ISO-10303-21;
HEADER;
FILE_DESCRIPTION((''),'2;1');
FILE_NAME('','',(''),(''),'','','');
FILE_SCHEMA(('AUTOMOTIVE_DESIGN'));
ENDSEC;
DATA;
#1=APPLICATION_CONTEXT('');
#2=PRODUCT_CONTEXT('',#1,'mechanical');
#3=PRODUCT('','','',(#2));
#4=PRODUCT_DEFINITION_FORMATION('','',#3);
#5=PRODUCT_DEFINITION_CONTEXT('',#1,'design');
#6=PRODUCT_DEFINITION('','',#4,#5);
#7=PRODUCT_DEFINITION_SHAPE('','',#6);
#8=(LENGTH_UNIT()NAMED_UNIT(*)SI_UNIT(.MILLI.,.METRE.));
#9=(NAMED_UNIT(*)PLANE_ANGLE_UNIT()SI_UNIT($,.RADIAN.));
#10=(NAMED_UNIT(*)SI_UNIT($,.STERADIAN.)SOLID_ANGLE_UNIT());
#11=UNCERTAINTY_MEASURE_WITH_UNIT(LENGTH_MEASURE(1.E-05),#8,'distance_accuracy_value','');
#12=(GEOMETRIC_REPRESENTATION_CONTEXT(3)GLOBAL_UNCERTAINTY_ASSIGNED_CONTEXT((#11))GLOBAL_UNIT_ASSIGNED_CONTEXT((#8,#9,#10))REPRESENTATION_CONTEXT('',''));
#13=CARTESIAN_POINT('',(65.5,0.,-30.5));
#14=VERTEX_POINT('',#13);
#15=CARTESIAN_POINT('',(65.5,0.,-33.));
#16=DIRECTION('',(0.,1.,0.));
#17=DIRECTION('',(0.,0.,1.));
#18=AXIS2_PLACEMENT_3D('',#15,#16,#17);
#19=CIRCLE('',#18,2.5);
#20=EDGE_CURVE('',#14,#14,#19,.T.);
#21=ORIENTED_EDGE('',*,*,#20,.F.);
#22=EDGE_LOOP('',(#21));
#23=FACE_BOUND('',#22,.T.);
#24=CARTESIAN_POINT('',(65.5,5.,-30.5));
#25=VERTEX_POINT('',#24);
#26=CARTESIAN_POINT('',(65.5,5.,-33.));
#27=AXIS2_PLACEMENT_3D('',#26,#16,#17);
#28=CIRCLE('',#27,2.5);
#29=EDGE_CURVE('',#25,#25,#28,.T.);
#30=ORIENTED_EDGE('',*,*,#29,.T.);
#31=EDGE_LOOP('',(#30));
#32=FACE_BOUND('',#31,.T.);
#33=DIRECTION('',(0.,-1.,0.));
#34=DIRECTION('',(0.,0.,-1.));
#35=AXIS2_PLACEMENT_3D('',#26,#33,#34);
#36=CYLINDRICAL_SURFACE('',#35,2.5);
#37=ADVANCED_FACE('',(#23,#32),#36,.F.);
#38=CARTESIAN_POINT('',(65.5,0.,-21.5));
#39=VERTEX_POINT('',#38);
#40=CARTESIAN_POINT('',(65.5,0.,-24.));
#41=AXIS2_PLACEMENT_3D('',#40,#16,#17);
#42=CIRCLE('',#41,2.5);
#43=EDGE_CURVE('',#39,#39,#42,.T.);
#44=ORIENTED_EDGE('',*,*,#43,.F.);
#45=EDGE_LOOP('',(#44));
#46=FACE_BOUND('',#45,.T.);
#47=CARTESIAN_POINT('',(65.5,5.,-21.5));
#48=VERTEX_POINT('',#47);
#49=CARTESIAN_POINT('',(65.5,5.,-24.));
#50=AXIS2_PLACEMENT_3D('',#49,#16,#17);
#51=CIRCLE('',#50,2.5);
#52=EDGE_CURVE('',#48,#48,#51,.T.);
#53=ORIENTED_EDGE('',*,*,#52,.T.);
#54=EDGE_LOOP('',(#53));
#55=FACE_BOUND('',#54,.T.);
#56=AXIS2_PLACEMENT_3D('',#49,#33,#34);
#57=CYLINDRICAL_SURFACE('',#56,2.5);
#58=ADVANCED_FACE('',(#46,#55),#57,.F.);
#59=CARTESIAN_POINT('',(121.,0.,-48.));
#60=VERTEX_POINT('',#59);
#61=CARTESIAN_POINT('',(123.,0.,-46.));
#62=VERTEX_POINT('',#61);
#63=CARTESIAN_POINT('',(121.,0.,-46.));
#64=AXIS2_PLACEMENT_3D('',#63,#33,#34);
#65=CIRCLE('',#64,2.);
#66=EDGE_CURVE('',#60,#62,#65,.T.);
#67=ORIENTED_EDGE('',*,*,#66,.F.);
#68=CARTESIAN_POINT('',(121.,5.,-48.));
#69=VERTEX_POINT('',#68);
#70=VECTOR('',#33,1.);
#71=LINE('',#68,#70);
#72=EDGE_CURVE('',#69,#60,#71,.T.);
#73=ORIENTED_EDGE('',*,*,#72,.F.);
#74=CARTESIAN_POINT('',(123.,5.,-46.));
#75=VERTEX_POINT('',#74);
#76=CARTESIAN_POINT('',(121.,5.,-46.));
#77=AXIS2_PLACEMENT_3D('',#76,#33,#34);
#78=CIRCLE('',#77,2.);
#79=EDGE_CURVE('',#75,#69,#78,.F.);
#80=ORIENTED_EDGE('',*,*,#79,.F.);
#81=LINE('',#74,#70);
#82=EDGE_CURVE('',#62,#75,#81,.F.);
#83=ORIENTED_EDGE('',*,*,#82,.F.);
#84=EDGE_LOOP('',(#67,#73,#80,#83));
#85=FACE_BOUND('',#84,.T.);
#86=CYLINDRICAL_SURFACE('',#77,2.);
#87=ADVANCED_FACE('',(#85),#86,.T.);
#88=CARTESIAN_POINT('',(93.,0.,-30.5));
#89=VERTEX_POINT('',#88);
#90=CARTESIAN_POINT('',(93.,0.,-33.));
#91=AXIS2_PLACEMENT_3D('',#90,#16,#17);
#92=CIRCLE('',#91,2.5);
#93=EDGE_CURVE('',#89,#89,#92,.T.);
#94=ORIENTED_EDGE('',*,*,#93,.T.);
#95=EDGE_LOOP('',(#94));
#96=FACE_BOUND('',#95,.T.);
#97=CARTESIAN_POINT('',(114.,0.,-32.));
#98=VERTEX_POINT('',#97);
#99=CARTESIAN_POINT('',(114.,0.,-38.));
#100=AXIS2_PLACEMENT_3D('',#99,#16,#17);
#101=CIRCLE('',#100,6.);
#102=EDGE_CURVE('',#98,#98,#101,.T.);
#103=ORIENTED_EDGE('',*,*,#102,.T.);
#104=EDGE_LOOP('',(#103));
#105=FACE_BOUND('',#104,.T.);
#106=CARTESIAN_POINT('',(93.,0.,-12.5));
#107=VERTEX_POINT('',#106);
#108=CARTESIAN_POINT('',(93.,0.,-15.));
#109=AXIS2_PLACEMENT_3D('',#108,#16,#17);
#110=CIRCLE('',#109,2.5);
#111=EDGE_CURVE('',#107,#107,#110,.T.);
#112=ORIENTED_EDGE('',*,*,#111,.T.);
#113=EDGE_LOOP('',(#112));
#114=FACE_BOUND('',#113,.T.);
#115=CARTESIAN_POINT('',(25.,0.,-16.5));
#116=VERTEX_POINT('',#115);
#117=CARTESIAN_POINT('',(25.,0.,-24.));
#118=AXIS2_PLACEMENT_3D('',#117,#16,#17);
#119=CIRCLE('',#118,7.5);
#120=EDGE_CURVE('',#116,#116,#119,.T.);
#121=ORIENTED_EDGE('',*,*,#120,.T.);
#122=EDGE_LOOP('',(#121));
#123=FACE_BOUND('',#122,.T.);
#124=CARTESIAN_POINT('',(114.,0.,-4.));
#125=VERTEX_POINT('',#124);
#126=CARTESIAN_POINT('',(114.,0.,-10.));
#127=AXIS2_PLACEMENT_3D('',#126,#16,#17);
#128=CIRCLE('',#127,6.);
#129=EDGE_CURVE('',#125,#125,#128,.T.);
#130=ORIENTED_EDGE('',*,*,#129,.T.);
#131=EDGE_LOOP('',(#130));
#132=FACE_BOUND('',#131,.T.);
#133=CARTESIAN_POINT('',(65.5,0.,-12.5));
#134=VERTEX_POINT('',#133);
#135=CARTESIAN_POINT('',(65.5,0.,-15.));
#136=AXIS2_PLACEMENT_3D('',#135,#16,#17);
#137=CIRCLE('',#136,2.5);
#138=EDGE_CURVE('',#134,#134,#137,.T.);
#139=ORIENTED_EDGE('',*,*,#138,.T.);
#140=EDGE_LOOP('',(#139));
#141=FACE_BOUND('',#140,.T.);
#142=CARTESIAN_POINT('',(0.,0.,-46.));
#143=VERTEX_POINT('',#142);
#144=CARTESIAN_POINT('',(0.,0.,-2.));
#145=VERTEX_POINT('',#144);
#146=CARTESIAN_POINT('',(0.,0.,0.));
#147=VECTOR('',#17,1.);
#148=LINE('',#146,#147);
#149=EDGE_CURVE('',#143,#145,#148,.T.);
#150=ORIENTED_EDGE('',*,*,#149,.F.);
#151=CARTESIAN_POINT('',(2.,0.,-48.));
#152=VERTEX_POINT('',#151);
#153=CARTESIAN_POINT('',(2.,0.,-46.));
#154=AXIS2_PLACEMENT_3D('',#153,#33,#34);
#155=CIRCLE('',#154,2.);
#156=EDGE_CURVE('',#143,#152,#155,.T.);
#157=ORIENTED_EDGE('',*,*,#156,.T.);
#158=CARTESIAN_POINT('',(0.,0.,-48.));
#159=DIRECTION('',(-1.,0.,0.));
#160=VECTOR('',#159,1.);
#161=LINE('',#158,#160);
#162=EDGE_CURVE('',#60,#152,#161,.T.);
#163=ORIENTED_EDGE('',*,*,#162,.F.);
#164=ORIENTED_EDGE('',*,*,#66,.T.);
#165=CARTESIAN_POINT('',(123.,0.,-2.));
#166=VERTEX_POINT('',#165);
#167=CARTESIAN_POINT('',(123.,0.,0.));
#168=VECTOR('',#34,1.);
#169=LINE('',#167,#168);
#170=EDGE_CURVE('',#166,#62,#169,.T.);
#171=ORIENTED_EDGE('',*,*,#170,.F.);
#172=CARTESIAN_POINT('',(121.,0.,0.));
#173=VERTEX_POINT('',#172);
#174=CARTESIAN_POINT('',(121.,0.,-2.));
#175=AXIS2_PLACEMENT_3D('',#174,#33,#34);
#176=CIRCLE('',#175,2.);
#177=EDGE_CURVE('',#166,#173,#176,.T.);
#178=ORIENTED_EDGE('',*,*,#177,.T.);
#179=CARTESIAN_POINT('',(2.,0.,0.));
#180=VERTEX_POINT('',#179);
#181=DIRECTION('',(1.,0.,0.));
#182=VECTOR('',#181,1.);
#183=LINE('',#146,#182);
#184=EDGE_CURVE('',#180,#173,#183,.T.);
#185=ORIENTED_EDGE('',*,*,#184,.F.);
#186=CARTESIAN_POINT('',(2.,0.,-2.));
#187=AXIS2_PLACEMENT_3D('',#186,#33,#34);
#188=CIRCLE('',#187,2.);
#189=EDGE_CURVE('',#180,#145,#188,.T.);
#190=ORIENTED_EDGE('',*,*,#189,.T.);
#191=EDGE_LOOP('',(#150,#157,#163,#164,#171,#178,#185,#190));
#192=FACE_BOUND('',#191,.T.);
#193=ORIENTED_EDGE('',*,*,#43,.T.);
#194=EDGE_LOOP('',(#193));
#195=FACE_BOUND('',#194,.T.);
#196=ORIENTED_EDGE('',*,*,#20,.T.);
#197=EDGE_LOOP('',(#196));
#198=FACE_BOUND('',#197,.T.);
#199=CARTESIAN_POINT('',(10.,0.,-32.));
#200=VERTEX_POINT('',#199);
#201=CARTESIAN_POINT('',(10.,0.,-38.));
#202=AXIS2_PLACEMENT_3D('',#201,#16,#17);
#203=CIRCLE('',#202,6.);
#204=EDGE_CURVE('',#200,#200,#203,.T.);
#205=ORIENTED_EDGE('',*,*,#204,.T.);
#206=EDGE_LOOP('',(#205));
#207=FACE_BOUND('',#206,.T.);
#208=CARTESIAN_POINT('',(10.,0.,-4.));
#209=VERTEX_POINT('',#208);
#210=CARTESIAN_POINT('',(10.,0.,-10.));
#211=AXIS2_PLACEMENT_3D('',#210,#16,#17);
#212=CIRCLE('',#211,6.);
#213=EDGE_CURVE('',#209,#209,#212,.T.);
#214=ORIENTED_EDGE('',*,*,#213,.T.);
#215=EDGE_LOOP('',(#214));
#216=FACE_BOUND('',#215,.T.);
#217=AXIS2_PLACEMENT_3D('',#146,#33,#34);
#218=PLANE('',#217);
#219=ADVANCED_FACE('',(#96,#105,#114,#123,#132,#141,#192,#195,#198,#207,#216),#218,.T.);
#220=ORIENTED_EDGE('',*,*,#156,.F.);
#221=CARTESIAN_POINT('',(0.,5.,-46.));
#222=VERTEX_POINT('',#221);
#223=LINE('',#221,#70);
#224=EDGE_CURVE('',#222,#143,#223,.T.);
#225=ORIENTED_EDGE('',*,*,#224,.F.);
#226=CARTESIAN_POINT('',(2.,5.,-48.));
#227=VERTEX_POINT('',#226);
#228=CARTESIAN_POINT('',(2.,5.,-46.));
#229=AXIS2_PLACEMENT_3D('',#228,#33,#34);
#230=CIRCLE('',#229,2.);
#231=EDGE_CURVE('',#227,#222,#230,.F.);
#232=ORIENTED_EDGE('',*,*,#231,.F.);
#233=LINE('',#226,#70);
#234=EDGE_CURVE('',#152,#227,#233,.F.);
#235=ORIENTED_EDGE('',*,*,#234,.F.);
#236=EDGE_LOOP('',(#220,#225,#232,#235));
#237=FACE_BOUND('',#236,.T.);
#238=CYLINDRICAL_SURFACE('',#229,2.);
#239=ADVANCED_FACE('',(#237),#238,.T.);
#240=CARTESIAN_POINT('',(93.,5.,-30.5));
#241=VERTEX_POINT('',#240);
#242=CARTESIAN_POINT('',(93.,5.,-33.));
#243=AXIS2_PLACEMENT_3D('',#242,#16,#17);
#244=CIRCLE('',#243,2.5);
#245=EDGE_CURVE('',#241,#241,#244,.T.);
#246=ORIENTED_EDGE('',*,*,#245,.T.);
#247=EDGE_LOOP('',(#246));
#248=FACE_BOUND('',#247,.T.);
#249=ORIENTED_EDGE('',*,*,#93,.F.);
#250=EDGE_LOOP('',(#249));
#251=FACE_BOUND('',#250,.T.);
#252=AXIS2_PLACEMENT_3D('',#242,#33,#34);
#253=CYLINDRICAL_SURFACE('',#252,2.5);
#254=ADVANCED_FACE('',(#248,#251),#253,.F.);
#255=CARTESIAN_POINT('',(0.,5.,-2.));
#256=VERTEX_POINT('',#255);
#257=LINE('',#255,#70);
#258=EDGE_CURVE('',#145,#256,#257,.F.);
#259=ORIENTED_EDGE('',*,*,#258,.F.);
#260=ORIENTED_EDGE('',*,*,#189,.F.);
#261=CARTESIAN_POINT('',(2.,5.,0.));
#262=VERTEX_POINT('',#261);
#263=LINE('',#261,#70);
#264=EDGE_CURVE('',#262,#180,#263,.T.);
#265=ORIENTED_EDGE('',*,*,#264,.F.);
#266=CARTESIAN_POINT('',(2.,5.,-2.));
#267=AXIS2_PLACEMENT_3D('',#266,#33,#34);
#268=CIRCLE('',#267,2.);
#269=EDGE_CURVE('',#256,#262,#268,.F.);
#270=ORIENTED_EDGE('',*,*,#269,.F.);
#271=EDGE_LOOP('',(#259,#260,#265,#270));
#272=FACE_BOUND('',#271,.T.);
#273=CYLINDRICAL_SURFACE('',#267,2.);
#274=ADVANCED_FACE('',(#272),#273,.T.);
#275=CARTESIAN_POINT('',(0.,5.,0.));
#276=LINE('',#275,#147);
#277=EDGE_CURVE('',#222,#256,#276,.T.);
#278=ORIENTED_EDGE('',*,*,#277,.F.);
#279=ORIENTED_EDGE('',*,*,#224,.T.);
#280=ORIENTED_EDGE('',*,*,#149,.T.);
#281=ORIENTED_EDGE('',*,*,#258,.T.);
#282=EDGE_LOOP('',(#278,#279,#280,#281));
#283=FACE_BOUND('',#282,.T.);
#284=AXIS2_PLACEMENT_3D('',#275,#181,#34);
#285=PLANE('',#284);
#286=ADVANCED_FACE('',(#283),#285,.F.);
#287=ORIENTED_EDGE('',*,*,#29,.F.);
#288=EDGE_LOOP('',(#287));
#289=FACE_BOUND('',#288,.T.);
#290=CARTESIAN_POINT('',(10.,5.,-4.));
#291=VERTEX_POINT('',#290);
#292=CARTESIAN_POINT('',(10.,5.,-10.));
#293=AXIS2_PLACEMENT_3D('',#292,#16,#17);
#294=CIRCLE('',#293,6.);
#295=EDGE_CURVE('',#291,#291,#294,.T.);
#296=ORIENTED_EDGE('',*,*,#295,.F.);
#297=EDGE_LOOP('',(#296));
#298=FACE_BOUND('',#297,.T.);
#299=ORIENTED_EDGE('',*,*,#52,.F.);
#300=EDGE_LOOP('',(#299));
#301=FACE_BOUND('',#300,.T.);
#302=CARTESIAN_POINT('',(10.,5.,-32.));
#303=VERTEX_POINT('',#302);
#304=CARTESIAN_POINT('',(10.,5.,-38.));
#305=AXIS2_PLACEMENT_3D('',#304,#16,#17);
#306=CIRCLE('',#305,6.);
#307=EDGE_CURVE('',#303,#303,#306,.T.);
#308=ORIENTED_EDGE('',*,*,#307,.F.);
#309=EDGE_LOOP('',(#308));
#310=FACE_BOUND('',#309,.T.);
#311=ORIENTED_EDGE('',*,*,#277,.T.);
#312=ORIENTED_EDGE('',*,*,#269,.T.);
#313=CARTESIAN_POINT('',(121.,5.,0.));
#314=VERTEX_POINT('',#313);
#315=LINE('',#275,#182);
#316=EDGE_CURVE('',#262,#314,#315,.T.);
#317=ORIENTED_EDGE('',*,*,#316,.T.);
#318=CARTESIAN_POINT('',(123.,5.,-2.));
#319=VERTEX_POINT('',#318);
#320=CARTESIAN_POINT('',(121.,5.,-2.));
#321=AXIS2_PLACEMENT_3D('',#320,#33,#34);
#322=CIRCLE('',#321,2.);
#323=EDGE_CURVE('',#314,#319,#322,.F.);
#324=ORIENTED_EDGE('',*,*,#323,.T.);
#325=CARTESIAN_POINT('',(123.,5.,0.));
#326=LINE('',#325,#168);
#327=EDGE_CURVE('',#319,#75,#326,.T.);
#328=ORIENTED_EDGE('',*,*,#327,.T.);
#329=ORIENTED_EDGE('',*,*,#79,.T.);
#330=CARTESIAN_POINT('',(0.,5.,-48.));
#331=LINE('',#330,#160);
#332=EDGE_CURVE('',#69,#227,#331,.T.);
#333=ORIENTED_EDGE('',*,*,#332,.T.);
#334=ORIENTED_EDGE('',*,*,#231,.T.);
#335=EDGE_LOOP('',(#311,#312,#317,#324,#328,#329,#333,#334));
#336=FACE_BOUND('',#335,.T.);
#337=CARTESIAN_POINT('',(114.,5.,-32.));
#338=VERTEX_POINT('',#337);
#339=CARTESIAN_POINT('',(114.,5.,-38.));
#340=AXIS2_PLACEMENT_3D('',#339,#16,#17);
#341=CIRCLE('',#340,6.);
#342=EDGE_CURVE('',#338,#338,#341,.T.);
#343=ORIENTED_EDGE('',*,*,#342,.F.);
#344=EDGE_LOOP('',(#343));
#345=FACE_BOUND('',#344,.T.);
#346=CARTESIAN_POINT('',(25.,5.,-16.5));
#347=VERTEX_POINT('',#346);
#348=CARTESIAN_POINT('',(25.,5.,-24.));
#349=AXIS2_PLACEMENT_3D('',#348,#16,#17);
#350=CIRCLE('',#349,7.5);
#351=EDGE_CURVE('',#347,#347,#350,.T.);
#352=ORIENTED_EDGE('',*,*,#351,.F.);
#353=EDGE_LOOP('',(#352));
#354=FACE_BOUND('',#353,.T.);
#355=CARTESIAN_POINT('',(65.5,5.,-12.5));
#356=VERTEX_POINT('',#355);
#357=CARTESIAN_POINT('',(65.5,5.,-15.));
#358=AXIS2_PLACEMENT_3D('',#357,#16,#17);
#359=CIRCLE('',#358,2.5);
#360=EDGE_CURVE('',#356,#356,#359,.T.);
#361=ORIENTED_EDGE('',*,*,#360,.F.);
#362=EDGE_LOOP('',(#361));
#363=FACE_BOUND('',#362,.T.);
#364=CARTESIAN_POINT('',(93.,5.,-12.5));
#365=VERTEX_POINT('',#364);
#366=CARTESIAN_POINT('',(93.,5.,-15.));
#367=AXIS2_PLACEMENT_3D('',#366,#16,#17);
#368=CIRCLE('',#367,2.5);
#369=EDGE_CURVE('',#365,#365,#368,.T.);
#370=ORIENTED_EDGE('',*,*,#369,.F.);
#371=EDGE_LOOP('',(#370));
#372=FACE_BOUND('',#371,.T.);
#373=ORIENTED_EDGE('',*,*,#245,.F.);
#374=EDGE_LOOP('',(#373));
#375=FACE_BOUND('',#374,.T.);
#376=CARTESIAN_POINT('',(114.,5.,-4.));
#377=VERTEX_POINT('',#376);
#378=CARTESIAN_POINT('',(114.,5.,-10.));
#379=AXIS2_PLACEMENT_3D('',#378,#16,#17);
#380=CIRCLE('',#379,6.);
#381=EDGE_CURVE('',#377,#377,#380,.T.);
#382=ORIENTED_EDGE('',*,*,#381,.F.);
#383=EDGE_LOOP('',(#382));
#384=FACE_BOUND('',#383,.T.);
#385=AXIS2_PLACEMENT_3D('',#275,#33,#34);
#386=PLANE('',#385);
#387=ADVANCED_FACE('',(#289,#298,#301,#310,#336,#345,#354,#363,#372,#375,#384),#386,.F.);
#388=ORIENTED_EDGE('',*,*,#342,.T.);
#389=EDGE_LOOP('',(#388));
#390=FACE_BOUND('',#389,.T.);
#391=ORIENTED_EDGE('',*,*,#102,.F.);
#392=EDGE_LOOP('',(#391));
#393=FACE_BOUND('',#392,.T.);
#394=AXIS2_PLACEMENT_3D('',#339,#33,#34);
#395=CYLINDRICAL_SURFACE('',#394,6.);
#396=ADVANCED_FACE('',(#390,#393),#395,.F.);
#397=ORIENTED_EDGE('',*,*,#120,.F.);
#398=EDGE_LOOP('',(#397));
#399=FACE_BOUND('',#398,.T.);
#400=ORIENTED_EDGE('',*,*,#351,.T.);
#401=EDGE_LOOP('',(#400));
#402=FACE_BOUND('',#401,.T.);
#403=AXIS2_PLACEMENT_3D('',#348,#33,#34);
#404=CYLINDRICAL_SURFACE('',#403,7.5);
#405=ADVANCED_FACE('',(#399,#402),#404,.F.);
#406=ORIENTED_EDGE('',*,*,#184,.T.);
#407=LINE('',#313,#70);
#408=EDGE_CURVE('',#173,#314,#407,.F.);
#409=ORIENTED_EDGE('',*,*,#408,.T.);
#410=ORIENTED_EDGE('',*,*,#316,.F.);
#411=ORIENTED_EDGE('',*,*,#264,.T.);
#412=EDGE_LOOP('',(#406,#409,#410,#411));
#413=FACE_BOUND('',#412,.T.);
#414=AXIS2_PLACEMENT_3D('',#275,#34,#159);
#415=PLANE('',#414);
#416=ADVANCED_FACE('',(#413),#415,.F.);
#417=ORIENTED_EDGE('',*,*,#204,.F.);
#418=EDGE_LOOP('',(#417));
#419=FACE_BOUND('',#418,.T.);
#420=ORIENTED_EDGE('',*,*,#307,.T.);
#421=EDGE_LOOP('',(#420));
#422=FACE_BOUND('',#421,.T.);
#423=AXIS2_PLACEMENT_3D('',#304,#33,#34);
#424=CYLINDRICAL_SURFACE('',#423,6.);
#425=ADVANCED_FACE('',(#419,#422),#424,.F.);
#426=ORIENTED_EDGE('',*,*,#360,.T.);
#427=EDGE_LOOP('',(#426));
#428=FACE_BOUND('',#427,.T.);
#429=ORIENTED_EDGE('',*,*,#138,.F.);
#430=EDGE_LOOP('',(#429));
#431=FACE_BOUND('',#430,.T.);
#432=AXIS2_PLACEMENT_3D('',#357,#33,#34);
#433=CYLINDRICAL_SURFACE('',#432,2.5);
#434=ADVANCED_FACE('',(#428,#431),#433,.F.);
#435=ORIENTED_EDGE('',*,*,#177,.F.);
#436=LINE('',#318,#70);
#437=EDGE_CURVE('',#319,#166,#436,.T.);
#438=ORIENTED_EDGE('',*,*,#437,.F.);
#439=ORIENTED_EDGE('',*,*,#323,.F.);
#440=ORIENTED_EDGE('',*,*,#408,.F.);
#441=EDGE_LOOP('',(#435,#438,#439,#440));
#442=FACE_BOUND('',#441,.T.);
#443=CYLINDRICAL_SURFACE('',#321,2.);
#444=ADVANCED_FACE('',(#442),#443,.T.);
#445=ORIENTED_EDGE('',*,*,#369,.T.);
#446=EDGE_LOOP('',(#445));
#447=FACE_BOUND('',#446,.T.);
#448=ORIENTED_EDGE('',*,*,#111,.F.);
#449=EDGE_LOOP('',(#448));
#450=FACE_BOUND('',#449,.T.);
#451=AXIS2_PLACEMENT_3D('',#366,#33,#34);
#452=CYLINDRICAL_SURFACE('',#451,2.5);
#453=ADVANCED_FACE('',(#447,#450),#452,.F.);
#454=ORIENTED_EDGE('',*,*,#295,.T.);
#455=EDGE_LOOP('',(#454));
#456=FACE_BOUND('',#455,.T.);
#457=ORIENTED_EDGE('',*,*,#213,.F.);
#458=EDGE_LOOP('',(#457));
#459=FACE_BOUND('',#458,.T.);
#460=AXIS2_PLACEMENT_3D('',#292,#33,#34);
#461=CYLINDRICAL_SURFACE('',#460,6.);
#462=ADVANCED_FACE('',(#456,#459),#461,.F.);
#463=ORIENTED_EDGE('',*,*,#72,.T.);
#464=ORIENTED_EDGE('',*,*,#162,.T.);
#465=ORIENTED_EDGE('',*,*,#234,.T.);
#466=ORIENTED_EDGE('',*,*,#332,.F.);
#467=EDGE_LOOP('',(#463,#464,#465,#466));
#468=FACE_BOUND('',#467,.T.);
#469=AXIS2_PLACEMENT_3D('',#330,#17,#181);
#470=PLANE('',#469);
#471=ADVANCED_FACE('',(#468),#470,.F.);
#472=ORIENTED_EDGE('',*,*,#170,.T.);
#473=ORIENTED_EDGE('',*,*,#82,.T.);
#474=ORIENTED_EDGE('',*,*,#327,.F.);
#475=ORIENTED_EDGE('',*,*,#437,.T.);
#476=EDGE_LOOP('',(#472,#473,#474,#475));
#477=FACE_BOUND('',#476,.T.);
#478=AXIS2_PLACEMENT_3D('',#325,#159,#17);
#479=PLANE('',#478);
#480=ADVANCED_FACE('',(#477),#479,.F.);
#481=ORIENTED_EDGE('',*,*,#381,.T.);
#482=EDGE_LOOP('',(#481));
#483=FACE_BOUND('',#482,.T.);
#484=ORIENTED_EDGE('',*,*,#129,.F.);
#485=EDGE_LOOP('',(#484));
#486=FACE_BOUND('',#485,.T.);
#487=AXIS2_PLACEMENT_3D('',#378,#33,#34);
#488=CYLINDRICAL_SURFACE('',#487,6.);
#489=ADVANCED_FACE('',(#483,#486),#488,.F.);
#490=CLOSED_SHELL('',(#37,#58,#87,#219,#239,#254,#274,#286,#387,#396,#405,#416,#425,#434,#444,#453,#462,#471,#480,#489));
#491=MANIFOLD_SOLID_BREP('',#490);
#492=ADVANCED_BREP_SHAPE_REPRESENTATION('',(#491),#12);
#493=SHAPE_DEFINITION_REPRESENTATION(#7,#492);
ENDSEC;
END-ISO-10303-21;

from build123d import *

# Parameters (mm, degrees)
SKETCH1_W           = 123
SKETCH1_H           = 48
SKETCH1_R           = 6
SKETCH1_R_2         = 7.5
SKETCH1_R_3         = 2.5
BOSS_EXTRUDE1_DEPTH = 5
FILLET1_R           = 2


with BuildPart() as part:
    # Sketch1 → Boss-Extrude1 (new body)
    with BuildSketch(Plane(origin=(0, 0, 0), x_dir=(1, 0, 0), z_dir=(0, 1, 0))):
        with Locations((61.5, 24)):
            Rectangle(SKETCH1_W, SKETCH1_H)
        with Locations(Location((10, 10, 0), (0, 0, 270))):
            Circle(SKETCH1_R, mode=Mode.SUBTRACT)
        with Locations(Location((10, 38, 0), (0, 0, 270))):
            Circle(SKETCH1_R, mode=Mode.SUBTRACT)
        with Locations(Location((114, 38, 0), (0, 0, 270))):
            Circle(SKETCH1_R, mode=Mode.SUBTRACT)
        with Locations(Location((114, 10, 0), (0, 0, 270))):
            Circle(SKETCH1_R, mode=Mode.SUBTRACT)
        with Locations(Location((25, 24, 0), (0, 0, 270))):
            Circle(SKETCH1_R_2, mode=Mode.SUBTRACT)
        with Locations(Location((93, 15, 0), (0, 0, 270))):
            Circle(SKETCH1_R_3, mode=Mode.SUBTRACT)
        with Locations(Location((93, 33, 0), (0, 0, 270))):
            Circle(SKETCH1_R_3, mode=Mode.SUBTRACT)
        with Locations(Location((65.5, 15, 0), (0, 0, 270))):
            Circle(SKETCH1_R_3, mode=Mode.SUBTRACT)
        with Locations(Location((65.5, 24, 0), (0, 0, 270))):
            Circle(SKETCH1_R_3, mode=Mode.SUBTRACT)
        with Locations(Location((65.5, 33, 0), (0, 0, 270))):
            Circle(SKETCH1_R_3, mode=Mode.SUBTRACT)
    extrude(amount=BOSS_EXTRUDE1_DEPTH)

    # Fillet1
    fillet1_edges = [part.edges().sort_by_distance(p)[0] for p in [
        (0, 2.5, -48),
        (123, 2.5, -48),
        (123, 2.5, 0),
        (0, 2.5, 0),
    ]]
    fillet(fillet1_edges, radius=FILLET1_R)


solid = part.part
